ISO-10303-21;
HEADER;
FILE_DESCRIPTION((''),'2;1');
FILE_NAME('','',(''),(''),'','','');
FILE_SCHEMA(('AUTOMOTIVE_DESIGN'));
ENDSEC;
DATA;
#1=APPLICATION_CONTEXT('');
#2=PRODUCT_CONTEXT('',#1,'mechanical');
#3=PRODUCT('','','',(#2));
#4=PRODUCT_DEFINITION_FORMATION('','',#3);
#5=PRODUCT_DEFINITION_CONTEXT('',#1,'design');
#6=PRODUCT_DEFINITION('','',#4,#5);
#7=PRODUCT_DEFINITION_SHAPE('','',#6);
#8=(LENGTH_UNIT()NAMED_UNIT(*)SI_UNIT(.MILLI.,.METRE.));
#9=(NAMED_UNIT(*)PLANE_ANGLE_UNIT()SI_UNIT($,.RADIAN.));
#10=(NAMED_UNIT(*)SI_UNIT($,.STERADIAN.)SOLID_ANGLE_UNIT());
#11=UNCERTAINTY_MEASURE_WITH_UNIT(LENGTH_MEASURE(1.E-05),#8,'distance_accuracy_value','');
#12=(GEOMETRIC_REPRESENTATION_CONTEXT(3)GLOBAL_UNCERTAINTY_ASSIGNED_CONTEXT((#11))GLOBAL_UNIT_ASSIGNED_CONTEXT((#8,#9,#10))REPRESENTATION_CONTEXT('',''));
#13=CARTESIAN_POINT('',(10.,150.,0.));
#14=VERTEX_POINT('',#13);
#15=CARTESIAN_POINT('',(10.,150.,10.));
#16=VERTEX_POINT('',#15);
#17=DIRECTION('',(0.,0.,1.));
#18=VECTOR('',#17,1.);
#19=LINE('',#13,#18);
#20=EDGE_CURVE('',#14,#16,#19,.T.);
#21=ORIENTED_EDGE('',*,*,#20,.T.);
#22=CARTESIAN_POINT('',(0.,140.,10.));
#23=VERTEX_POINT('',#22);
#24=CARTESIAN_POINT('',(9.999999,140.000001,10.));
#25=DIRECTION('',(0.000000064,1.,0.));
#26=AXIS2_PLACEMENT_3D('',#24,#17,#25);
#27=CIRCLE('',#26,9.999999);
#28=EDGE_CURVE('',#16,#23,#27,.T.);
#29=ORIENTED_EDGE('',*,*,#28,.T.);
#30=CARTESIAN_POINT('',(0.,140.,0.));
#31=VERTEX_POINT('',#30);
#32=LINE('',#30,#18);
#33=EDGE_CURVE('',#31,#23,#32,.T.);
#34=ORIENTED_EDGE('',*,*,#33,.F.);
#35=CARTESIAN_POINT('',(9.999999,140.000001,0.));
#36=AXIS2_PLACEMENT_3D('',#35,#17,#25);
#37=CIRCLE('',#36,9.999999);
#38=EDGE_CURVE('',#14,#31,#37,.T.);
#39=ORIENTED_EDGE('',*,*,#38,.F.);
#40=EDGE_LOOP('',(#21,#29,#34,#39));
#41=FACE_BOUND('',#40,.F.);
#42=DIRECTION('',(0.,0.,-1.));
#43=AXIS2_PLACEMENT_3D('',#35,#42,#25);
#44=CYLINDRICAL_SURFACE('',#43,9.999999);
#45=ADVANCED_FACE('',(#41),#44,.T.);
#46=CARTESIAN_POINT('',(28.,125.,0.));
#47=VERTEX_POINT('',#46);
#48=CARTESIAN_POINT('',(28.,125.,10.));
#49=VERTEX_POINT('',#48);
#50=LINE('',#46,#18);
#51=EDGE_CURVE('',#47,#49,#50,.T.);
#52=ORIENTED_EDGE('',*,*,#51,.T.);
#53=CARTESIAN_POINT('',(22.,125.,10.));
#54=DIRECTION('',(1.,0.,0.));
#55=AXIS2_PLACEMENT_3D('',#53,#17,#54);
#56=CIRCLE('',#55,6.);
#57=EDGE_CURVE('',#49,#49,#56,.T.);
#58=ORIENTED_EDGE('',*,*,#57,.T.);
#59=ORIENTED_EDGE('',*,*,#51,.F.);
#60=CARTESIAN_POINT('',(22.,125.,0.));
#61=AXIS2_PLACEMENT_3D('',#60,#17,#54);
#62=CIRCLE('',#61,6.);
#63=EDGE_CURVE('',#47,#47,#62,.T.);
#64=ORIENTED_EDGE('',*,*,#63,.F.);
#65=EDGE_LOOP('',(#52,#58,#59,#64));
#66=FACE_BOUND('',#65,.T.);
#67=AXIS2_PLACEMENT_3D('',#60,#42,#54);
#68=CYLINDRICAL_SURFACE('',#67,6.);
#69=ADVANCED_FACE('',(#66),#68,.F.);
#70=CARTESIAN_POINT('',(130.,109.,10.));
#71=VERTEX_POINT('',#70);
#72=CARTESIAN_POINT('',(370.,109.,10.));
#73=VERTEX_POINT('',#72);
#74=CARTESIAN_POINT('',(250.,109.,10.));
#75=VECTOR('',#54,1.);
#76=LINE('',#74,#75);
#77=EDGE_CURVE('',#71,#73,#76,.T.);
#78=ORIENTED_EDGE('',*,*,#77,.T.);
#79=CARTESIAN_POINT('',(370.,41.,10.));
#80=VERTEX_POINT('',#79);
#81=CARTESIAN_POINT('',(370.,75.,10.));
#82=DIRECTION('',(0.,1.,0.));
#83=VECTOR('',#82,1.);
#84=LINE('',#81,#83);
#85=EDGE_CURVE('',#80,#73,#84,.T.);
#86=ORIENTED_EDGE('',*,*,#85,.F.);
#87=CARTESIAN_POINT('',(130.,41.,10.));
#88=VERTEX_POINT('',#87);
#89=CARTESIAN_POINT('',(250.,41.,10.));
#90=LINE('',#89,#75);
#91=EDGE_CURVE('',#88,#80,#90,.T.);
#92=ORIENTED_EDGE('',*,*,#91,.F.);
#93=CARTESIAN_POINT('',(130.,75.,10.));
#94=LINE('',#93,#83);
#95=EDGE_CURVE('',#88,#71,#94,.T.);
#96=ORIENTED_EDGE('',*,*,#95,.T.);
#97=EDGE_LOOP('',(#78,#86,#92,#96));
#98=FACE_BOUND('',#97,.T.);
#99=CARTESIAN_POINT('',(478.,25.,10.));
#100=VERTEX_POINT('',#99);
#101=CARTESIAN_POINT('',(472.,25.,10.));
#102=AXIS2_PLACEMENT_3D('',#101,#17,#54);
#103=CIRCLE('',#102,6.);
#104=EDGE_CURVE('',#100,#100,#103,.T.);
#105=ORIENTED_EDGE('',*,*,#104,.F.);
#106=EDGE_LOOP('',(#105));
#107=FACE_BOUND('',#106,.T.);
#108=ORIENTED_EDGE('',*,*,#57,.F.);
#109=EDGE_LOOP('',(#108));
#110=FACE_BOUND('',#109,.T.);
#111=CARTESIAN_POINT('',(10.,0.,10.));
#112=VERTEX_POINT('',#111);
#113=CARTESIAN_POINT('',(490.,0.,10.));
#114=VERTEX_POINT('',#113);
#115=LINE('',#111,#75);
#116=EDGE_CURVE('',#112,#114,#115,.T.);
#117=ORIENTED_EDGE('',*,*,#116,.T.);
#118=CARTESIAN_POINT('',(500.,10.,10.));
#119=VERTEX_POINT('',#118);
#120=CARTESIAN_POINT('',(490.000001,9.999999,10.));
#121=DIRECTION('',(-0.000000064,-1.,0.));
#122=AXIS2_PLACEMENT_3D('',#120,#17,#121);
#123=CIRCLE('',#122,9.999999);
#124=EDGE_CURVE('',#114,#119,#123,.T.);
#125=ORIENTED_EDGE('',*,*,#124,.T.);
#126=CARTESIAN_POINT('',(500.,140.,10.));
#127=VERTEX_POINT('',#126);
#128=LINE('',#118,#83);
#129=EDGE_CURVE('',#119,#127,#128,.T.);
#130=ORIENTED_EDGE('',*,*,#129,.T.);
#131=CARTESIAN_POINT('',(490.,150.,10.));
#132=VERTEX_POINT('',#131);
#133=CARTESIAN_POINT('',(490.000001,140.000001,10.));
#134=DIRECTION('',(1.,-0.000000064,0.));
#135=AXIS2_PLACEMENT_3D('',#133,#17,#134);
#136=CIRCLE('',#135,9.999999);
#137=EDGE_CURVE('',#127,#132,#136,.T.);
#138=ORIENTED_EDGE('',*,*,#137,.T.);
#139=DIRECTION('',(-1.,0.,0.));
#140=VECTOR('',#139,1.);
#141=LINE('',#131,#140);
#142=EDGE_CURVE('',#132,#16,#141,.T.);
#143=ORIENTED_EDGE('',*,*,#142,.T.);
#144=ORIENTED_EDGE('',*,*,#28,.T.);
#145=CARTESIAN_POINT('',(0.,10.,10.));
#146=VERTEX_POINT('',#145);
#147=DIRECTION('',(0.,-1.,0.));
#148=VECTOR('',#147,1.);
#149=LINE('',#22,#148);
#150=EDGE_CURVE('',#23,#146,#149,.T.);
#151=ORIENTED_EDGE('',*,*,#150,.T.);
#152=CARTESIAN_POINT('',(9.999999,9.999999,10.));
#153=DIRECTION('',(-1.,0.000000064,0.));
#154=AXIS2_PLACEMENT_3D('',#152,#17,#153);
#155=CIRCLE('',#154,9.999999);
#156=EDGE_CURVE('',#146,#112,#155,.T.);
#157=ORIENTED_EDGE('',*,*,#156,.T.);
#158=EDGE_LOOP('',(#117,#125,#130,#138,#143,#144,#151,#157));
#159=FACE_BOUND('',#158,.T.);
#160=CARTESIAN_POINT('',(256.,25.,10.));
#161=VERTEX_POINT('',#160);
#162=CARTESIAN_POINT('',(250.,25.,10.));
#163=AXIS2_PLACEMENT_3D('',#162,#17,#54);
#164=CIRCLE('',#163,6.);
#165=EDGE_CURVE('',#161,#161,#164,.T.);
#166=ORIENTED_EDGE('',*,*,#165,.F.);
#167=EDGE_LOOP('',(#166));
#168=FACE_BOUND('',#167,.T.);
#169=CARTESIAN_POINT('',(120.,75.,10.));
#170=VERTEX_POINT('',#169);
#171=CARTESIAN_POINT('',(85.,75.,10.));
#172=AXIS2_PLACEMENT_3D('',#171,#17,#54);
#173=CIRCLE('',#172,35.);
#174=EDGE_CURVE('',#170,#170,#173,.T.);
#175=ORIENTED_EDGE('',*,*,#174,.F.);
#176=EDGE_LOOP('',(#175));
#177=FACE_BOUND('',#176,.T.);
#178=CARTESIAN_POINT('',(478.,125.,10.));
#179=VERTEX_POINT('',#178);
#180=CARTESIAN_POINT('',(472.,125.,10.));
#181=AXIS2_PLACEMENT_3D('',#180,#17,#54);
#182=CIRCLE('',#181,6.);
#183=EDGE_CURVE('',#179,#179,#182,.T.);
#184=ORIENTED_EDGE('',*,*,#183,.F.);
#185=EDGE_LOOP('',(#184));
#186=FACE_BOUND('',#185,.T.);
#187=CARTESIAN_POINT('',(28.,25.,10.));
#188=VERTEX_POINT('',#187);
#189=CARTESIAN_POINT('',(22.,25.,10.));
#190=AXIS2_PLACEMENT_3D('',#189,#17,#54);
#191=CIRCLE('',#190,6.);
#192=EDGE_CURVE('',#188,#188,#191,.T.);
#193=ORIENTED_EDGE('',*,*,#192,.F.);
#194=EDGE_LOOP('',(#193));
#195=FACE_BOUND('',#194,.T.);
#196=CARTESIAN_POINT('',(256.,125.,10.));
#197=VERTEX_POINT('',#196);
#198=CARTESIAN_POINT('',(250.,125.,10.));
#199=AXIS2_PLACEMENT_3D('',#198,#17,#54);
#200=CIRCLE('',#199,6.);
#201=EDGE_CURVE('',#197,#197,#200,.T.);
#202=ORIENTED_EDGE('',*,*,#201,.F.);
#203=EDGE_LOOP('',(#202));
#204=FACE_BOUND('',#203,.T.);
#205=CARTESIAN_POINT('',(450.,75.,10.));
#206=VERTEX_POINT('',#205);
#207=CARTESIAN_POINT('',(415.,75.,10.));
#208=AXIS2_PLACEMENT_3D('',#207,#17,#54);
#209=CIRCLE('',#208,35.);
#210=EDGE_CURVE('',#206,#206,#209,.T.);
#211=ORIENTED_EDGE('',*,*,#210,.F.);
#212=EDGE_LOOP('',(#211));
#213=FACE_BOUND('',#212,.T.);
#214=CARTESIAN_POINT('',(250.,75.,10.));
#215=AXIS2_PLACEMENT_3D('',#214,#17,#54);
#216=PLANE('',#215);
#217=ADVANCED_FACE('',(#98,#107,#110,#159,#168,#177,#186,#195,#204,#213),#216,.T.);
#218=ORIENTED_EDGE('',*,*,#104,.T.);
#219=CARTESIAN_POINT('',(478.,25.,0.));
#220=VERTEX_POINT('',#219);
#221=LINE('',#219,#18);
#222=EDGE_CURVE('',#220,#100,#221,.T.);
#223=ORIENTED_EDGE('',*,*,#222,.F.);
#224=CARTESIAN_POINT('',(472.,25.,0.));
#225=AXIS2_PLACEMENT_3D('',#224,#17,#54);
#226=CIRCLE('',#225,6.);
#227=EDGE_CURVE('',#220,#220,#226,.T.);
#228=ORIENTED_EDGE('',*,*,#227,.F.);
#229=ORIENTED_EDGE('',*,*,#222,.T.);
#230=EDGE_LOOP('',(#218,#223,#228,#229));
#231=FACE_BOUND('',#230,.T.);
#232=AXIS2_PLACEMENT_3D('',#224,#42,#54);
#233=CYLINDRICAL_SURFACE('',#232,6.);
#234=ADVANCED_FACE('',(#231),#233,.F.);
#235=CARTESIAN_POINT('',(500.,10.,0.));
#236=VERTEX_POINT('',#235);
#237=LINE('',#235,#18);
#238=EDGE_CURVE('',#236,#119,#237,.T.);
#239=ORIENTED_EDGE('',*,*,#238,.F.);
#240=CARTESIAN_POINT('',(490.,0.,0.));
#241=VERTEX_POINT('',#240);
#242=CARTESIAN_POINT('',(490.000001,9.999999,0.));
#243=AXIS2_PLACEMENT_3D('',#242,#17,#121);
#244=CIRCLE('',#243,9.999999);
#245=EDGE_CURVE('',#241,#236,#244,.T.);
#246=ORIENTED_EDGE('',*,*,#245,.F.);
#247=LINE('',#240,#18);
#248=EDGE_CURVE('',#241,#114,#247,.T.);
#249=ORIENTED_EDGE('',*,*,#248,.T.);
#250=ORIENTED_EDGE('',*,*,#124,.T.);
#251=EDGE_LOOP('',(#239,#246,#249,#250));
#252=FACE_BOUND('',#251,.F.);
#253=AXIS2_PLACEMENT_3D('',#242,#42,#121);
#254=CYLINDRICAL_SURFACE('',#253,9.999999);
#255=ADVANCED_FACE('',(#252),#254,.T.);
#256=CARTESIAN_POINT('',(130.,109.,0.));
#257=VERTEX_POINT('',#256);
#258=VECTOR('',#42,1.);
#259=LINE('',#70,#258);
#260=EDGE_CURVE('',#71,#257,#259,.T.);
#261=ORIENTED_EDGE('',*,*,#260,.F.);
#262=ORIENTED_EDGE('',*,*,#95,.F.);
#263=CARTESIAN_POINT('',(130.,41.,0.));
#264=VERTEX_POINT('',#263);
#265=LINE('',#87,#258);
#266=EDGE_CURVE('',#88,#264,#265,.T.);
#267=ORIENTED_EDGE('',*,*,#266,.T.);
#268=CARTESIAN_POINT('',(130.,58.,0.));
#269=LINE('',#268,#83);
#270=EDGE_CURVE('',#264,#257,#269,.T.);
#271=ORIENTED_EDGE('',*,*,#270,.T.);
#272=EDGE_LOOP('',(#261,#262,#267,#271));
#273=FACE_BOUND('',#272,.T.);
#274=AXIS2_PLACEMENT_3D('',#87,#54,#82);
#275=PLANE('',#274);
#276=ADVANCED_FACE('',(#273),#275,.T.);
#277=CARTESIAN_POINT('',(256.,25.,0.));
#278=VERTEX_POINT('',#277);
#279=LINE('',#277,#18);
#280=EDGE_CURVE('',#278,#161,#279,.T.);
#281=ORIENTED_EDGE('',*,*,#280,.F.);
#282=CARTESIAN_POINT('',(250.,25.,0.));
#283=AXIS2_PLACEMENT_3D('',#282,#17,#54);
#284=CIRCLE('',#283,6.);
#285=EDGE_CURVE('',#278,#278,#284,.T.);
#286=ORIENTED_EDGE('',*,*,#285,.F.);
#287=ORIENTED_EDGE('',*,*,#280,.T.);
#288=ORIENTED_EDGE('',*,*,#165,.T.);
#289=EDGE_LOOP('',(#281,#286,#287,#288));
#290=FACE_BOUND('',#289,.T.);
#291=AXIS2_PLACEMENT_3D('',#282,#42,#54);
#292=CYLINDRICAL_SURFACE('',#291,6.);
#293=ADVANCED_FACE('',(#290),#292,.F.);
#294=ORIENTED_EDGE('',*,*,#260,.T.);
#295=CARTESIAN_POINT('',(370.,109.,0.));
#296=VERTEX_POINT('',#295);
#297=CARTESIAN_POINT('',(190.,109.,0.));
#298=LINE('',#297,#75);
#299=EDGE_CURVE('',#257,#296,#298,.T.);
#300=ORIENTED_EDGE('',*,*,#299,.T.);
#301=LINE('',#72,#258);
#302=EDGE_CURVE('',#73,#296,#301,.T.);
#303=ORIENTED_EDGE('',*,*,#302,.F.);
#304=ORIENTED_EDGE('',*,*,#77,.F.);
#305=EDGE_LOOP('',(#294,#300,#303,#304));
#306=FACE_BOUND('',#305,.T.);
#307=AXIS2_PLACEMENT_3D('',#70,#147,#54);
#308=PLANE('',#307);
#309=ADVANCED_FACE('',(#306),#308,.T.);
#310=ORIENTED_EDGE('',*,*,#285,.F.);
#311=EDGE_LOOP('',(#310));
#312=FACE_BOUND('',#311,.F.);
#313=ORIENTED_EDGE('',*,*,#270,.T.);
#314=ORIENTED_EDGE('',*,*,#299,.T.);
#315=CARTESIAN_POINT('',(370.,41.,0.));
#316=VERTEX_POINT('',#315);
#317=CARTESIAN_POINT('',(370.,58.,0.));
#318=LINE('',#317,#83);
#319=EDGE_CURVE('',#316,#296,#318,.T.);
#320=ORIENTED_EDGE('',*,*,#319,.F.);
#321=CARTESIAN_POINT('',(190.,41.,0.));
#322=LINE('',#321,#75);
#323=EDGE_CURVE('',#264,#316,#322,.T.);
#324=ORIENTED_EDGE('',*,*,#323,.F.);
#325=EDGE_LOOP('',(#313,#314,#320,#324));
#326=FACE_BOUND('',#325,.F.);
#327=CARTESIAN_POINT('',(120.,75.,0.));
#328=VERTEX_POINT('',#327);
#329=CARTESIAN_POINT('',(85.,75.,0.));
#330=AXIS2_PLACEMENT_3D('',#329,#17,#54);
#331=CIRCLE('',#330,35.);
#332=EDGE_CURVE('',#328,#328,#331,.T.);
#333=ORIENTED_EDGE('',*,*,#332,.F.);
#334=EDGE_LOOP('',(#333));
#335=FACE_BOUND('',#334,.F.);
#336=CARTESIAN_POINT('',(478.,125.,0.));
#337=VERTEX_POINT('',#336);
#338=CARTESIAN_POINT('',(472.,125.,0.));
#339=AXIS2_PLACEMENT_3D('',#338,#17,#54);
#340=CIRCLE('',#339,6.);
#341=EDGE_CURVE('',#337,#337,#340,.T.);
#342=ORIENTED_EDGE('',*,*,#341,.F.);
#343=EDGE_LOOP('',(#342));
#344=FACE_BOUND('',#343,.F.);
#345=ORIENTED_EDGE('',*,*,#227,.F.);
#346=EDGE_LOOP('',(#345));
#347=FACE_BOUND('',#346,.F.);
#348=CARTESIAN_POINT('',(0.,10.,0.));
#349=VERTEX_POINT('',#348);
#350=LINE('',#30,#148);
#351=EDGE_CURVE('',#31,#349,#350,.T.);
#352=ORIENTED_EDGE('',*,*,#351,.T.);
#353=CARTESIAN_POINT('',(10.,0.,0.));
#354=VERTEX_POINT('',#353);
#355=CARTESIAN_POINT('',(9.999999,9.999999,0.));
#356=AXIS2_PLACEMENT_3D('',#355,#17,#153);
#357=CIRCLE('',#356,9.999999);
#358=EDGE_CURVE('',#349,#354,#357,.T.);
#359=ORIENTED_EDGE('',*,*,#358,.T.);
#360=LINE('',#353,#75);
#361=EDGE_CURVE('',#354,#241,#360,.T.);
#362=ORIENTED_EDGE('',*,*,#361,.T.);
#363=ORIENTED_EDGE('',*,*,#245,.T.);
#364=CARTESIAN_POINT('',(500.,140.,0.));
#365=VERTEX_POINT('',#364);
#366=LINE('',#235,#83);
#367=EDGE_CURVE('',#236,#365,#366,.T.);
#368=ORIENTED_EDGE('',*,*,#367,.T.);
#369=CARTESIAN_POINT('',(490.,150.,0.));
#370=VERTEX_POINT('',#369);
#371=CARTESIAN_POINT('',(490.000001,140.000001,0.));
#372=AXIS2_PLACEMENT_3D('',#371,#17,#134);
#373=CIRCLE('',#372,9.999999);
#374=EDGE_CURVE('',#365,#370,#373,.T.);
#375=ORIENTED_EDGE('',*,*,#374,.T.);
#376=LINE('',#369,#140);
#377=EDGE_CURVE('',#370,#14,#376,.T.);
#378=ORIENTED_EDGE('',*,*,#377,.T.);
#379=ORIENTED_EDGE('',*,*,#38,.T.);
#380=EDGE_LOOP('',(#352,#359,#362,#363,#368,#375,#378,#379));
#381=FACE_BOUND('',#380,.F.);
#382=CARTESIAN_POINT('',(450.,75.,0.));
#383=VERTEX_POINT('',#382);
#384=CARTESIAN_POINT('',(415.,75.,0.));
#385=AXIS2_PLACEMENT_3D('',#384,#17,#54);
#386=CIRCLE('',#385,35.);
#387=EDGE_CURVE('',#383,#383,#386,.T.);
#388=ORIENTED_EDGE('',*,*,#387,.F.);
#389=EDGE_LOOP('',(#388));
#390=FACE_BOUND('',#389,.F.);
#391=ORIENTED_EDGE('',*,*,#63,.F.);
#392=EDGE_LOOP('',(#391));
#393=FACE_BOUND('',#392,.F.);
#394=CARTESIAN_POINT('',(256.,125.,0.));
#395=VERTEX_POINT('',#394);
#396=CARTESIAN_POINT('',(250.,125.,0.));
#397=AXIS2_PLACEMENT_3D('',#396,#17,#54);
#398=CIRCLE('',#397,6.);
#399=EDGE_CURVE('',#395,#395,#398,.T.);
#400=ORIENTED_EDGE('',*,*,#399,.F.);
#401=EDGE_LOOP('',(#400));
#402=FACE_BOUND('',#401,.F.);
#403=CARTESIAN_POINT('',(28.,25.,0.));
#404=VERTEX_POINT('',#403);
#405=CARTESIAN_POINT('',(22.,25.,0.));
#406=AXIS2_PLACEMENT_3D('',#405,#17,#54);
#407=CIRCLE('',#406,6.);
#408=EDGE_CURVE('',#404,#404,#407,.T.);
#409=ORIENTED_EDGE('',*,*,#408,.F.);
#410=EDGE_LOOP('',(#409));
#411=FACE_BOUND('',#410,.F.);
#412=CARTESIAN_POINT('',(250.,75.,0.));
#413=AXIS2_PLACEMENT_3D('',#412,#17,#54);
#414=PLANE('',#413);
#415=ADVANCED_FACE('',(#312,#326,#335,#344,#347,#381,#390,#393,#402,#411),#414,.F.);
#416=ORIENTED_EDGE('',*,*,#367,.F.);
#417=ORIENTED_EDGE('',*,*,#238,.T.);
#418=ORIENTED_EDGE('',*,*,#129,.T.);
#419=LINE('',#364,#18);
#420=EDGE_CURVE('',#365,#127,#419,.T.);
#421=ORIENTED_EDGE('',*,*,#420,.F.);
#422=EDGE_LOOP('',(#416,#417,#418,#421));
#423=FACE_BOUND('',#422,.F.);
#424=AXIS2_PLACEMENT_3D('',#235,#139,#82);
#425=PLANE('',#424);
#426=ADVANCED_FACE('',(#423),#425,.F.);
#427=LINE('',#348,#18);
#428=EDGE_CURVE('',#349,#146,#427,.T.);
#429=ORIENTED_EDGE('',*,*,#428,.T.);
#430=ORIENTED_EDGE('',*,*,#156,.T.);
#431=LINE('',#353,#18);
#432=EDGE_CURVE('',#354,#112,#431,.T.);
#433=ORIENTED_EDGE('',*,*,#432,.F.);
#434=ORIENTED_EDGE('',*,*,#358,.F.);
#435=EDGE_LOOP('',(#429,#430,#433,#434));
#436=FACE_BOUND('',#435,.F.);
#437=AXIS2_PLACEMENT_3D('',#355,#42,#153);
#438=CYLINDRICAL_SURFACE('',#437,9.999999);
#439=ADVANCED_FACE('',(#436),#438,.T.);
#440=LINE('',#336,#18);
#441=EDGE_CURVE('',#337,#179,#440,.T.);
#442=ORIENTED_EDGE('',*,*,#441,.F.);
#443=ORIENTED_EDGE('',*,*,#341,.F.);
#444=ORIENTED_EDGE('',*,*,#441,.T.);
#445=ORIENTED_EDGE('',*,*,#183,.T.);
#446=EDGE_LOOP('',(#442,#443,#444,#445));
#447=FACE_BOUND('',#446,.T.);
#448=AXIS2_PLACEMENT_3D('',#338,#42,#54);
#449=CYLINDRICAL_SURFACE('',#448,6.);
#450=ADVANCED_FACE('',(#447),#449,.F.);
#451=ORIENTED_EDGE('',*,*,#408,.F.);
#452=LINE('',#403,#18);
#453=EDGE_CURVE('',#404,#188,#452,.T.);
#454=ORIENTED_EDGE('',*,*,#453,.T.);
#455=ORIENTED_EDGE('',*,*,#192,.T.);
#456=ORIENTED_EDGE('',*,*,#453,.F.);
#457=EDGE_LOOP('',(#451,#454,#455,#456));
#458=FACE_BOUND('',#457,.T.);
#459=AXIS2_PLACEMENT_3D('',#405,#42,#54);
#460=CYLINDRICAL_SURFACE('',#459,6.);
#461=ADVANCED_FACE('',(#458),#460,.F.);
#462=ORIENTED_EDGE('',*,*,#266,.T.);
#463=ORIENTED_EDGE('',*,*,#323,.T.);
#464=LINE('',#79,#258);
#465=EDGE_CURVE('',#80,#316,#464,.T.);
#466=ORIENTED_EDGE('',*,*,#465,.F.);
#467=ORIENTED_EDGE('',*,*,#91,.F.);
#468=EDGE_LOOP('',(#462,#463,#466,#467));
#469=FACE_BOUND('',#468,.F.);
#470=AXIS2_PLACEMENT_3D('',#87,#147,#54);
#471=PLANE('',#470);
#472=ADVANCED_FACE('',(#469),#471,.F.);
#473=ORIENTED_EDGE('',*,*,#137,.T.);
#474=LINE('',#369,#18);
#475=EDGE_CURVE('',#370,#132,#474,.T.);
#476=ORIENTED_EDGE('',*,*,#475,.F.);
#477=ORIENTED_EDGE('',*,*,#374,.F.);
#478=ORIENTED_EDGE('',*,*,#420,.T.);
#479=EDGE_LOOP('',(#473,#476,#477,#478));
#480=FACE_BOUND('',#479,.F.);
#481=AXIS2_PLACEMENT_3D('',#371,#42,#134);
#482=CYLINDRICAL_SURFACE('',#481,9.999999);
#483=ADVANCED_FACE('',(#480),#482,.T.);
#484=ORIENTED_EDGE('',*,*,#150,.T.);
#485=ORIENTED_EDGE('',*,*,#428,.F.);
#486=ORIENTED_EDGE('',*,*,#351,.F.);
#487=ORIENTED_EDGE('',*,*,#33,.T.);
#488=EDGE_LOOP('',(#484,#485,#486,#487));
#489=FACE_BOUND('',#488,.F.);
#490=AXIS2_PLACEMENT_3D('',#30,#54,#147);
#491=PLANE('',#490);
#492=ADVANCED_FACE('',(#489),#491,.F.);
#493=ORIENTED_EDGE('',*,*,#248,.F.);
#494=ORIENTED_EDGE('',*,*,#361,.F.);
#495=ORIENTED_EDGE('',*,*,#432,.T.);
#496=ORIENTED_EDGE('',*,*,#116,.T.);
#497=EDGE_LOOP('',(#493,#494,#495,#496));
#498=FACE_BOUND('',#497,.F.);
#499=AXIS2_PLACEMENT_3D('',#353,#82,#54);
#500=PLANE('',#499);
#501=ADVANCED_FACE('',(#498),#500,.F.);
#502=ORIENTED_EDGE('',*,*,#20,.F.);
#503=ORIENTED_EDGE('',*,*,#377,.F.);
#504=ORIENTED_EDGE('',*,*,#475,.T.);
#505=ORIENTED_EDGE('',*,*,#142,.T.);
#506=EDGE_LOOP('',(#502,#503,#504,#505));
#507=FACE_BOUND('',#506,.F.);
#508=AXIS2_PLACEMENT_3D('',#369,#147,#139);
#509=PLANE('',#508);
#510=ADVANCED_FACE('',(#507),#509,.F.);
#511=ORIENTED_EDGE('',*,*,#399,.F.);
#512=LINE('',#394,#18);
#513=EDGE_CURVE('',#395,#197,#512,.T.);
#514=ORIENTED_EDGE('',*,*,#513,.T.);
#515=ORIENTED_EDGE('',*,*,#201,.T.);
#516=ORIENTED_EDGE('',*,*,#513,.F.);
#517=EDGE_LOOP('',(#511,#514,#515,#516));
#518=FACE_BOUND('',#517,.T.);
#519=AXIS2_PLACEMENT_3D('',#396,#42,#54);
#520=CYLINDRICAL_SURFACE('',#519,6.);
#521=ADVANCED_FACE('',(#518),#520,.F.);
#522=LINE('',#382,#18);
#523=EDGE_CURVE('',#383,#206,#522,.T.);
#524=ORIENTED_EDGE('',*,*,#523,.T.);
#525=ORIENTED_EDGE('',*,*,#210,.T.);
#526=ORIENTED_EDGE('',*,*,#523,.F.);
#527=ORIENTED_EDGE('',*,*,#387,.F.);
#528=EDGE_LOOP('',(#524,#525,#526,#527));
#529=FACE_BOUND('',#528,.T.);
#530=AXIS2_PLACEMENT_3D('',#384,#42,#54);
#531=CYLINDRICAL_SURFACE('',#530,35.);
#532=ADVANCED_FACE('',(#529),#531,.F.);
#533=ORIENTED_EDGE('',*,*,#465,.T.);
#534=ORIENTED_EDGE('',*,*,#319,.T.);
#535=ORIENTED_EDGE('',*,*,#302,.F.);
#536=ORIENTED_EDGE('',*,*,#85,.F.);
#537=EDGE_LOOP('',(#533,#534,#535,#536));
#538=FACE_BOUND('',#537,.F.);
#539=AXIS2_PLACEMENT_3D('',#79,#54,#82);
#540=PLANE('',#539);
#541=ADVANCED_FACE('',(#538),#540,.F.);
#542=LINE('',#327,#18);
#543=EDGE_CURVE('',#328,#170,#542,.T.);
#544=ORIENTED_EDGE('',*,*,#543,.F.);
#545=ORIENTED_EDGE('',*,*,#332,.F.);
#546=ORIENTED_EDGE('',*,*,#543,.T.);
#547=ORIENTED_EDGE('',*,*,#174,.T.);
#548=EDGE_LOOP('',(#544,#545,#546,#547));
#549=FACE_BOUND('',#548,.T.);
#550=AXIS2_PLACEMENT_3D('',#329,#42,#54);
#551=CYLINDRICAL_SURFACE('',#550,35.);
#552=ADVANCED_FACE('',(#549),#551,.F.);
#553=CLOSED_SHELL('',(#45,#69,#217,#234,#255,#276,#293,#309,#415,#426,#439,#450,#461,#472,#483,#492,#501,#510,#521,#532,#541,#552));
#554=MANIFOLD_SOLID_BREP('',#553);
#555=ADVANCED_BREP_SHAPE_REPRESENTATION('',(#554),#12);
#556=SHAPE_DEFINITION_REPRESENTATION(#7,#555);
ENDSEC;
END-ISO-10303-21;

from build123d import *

# Parameters (mm, degrees)
F0_R     = 6
F0_R_2   = 35
F1_DEPTH = 10
F2_W     = 240
F2_H     = 68
F3_DEPTH = 25


with BuildPart() as f1:
    # F0 (on Top) → F1 (new body)
    with BuildSketch(Plane.XY):
        with BuildLine():
            ThreePointArc((0, 10), (2.928932, 2.928932), (10, 0))
            Line((10, 0), (65, 0))
            Line((65, 0), (105, 0))
            Line((105, 0), (230, 0))
            Line((230, 0), (270, 0))
            Line((270, 0), (395, 0))
            Line((395, 0), (435, 0))
            Line((435, 0), (490, 0))
            ThreePointArc((490, 0), (497.071068, 2.928932), (500, 10))
            Line((500, 10), (500, 140))
            ThreePointArc((500, 140), (497.071068, 147.071068), (490, 150))
            Line((490, 150), (435, 150))
            Line((435, 150), (395, 150))
            Line((395, 150), (270, 150))
            Line((270, 150), (230, 150))
            Line((230, 150), (105, 150))
            Line((105, 150), (65, 150))
            Line((65, 150), (10, 150))
            ThreePointArc((10, 150), (2.928932, 147.071068), (0, 140))
            Line((0, 140), (0, 10))
        make_face()
        with Locations((22, 25)):
            Circle(F0_R, mode=Mode.SUBTRACT)
        with Locations((250, 25)):
            Circle(F0_R, mode=Mode.SUBTRACT)
        with Locations((472, 25)):
            Circle(F0_R, mode=Mode.SUBTRACT)
        with Locations((85, 75)):
            Circle(F0_R_2, mode=Mode.SUBTRACT)
        with Locations((22, 125)):
            Circle(F0_R, mode=Mode.SUBTRACT)
        with Locations((415, 75)):
            Circle(F0_R_2, mode=Mode.SUBTRACT)
        with Locations((250, 125)):
            Circle(F0_R, mode=Mode.SUBTRACT)
        with Locations((472, 125)):
            Circle(F0_R, mode=Mode.SUBTRACT)
    extrude(amount=F1_DEPTH)

    # F2 (on face) → F3 (cut)
    with BuildSketch(Plane.XY.offset(10)):
        with Locations((250, 75)):
            Rectangle(F2_W, F2_H)
    extrude(amount=-F3_DEPTH, mode=Mode.SUBTRACT)


solid = f1.part
